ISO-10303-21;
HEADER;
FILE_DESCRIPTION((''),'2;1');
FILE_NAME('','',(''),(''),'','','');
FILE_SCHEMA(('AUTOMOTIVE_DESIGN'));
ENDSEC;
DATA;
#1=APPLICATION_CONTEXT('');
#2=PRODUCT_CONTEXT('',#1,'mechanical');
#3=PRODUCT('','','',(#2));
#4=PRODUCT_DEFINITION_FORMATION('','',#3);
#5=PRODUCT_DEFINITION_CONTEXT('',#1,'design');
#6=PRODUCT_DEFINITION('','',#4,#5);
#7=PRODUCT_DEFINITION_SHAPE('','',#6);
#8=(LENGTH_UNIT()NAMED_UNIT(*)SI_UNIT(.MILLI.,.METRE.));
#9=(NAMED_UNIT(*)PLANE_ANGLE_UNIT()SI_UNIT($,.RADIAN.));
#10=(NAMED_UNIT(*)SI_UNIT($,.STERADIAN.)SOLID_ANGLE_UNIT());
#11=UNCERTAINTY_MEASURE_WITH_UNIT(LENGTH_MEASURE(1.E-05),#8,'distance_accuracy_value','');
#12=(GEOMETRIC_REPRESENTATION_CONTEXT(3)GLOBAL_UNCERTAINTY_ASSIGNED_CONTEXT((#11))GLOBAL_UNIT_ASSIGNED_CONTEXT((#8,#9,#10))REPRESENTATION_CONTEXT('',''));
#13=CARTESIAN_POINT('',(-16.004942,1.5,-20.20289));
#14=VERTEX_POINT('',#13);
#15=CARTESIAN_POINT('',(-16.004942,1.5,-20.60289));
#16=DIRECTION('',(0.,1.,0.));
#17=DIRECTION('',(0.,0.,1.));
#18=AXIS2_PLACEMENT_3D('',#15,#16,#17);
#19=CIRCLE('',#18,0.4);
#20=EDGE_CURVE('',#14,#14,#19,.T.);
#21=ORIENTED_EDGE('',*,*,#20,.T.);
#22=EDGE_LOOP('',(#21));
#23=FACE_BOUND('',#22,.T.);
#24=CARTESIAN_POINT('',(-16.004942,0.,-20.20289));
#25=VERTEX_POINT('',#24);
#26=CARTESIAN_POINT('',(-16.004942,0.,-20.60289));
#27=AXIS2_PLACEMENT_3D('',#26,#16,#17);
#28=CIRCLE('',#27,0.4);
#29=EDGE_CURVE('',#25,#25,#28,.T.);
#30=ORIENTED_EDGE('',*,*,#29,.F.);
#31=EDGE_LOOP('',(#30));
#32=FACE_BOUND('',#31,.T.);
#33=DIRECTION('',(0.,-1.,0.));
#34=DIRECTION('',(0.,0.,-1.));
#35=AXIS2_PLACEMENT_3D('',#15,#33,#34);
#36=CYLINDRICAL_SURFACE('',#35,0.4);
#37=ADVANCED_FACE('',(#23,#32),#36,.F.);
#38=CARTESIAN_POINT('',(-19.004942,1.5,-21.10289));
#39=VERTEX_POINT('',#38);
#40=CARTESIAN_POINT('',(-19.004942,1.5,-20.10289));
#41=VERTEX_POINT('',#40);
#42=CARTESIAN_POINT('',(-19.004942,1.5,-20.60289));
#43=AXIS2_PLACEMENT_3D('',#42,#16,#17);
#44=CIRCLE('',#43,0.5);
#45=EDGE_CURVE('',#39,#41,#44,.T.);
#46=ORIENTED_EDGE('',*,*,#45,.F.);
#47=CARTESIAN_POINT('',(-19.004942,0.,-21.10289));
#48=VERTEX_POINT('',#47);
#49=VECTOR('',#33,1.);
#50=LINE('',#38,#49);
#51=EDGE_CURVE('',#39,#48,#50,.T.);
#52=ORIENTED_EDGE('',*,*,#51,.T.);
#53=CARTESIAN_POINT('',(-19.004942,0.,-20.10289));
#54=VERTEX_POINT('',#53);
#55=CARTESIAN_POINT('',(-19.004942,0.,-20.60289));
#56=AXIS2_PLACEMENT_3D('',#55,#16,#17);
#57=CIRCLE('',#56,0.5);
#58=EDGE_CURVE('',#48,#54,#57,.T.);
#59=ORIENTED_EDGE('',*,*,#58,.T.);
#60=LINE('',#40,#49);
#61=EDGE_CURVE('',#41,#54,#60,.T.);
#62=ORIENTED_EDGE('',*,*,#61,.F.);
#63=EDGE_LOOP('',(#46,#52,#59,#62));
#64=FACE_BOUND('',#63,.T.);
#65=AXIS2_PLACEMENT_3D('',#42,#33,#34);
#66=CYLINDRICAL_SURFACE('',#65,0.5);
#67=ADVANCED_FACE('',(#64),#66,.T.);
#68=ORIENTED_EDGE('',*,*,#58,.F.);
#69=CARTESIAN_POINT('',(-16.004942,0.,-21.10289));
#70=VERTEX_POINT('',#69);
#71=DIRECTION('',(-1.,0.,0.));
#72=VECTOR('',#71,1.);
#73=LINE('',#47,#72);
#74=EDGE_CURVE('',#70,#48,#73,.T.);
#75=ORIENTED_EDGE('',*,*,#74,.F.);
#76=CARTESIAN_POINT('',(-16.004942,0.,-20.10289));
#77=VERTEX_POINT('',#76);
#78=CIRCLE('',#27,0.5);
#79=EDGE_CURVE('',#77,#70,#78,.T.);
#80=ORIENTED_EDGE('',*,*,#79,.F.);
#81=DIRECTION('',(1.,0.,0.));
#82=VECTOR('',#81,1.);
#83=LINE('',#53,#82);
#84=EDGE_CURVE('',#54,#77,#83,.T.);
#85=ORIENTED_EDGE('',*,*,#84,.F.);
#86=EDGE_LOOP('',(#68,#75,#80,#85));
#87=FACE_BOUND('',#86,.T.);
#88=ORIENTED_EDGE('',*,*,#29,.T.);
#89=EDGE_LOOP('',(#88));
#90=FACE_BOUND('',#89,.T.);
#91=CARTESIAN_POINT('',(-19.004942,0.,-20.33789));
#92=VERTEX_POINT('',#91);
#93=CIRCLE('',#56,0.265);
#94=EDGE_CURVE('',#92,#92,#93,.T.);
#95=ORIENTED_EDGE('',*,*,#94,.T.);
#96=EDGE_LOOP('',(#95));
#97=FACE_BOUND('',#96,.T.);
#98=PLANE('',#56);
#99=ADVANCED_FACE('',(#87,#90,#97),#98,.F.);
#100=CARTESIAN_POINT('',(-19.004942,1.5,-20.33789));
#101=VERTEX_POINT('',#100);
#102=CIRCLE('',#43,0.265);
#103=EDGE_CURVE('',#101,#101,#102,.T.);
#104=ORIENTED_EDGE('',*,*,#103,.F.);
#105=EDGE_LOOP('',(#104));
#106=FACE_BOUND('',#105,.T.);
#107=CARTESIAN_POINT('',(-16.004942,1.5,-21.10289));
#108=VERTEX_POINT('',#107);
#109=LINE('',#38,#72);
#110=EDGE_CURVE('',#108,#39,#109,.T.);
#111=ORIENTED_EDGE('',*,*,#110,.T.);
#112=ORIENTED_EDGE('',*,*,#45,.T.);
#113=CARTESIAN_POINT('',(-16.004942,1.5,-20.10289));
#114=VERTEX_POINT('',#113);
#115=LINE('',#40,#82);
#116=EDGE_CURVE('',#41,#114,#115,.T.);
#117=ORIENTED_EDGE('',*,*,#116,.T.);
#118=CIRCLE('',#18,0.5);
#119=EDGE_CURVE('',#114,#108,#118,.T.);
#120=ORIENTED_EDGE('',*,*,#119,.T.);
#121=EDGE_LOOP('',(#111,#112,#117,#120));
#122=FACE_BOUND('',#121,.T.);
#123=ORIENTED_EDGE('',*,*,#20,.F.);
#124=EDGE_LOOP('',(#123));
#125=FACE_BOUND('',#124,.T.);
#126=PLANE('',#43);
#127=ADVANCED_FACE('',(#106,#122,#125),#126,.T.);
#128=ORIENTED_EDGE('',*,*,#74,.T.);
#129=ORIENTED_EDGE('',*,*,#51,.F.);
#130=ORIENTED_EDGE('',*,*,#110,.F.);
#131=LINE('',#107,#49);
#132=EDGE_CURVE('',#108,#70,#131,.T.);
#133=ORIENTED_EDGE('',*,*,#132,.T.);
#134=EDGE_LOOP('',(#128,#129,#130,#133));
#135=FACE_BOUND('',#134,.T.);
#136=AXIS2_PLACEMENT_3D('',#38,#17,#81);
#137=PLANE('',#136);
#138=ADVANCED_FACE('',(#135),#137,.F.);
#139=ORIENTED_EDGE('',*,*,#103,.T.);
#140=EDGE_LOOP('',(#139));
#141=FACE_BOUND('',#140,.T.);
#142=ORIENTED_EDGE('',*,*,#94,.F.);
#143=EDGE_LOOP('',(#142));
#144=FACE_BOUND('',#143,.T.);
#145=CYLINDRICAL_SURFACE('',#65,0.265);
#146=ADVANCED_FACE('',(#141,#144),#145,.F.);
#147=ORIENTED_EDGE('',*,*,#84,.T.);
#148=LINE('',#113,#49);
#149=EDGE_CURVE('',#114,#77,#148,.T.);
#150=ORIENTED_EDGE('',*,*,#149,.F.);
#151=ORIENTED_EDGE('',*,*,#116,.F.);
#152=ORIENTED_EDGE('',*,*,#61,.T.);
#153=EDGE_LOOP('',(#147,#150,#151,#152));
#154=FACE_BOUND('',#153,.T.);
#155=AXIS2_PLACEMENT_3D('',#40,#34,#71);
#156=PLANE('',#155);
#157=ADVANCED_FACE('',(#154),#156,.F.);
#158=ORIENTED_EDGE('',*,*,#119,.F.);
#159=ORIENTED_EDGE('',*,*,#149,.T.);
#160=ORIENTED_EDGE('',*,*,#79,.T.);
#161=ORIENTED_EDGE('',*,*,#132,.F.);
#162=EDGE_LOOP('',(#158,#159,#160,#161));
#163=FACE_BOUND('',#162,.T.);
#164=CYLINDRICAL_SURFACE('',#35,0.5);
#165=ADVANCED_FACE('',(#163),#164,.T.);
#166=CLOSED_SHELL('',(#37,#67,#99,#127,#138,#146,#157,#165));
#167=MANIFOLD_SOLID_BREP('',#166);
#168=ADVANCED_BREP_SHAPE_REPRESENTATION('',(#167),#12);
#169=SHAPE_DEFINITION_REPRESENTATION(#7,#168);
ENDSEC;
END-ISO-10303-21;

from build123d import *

# Parameters (mm, degrees)
SKETCH2_R           = 0.265
SKETCH2_R_2         = 0.4
BOSS_EXTRUDE1_DEPTH = 1.5


with BuildPart() as part:
    # Sketch2 → Boss-Extrude1 (new body)
    with BuildSketch(Plane(origin=(0, 0, 0), x_dir=(1, 0, 0), z_dir=(0, 1, 0))):
        with BuildLine():
            Line((-19.004941608, 21.102889708), (-16.004941608, 21.102889708))
            ThreePointArc((-16.004941608, 21.102889708), (-15.504941608, 20.602889708), (-16.004941608, 20.102889708))
            Line((-16.004941608, 20.102889708), (-19.004941608, 20.102889708))
            ThreePointArc((-19.004941608, 20.102889708), (-19.504941608, 20.602889708), (-19.004941608, 21.102889708))
        make_face()
        with Locations(Location((-19.004941608, 20.602889708, 0), (0, 0, 270))):
            Circle(SKETCH2_R, mode=Mode.SUBTRACT)
        with Locations(Location((-16.004941608, 20.602889708, 0), (0, 0, 270))):
            Circle(SKETCH2_R_2, mode=Mode.SUBTRACT)
    extrude(amount=BOSS_EXTRUDE1_DEPTH)


solid = part.part
